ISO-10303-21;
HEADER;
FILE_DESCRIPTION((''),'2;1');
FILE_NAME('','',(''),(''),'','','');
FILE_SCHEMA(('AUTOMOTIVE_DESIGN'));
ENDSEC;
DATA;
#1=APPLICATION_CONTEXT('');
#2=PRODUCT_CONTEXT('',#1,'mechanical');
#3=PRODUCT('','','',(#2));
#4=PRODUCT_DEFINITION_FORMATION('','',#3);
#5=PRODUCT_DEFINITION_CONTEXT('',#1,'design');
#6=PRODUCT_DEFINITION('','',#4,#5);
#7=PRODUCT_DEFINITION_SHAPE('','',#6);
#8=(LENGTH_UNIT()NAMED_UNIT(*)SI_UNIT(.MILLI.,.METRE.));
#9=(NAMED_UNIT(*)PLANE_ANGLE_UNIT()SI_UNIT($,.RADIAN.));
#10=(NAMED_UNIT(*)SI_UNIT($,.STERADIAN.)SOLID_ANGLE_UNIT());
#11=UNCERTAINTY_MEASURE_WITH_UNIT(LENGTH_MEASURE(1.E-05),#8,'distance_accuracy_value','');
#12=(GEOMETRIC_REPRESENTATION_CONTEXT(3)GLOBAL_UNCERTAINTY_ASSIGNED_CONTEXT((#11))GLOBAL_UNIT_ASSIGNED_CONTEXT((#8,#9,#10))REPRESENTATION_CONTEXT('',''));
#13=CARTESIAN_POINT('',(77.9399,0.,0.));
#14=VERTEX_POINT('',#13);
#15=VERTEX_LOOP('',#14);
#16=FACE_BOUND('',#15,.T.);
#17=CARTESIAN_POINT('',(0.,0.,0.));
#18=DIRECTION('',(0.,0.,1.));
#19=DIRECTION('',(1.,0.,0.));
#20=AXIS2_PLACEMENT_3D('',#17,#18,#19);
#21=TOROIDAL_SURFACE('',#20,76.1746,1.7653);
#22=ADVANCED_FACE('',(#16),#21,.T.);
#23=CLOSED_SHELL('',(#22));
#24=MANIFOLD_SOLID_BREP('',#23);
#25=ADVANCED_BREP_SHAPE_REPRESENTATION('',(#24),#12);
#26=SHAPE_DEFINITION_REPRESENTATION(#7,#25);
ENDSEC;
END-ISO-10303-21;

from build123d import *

# Parameters (mm, degrees)
SKETCH1_R = 1.7653


with BuildPart() as part:
    # Sketch1 → Revolve1 (revolve)
    with BuildSketch(Plane(origin=(0, 0, 0), x_dir=(0, -1, 0), z_dir=(1, 0, 0)), mode=Mode.PRIVATE) as revolve1_sk:
        with Locations((76.1746, 0)):
            Circle(SKETCH1_R)
    revolve(revolve1_sk.sketch.rotate(Axis((0, 0, 1.7653), (0, 0, -1)), 270), axis=Axis((0, 0, 1.7653), (0, 0, -1)))


solid = part.part
